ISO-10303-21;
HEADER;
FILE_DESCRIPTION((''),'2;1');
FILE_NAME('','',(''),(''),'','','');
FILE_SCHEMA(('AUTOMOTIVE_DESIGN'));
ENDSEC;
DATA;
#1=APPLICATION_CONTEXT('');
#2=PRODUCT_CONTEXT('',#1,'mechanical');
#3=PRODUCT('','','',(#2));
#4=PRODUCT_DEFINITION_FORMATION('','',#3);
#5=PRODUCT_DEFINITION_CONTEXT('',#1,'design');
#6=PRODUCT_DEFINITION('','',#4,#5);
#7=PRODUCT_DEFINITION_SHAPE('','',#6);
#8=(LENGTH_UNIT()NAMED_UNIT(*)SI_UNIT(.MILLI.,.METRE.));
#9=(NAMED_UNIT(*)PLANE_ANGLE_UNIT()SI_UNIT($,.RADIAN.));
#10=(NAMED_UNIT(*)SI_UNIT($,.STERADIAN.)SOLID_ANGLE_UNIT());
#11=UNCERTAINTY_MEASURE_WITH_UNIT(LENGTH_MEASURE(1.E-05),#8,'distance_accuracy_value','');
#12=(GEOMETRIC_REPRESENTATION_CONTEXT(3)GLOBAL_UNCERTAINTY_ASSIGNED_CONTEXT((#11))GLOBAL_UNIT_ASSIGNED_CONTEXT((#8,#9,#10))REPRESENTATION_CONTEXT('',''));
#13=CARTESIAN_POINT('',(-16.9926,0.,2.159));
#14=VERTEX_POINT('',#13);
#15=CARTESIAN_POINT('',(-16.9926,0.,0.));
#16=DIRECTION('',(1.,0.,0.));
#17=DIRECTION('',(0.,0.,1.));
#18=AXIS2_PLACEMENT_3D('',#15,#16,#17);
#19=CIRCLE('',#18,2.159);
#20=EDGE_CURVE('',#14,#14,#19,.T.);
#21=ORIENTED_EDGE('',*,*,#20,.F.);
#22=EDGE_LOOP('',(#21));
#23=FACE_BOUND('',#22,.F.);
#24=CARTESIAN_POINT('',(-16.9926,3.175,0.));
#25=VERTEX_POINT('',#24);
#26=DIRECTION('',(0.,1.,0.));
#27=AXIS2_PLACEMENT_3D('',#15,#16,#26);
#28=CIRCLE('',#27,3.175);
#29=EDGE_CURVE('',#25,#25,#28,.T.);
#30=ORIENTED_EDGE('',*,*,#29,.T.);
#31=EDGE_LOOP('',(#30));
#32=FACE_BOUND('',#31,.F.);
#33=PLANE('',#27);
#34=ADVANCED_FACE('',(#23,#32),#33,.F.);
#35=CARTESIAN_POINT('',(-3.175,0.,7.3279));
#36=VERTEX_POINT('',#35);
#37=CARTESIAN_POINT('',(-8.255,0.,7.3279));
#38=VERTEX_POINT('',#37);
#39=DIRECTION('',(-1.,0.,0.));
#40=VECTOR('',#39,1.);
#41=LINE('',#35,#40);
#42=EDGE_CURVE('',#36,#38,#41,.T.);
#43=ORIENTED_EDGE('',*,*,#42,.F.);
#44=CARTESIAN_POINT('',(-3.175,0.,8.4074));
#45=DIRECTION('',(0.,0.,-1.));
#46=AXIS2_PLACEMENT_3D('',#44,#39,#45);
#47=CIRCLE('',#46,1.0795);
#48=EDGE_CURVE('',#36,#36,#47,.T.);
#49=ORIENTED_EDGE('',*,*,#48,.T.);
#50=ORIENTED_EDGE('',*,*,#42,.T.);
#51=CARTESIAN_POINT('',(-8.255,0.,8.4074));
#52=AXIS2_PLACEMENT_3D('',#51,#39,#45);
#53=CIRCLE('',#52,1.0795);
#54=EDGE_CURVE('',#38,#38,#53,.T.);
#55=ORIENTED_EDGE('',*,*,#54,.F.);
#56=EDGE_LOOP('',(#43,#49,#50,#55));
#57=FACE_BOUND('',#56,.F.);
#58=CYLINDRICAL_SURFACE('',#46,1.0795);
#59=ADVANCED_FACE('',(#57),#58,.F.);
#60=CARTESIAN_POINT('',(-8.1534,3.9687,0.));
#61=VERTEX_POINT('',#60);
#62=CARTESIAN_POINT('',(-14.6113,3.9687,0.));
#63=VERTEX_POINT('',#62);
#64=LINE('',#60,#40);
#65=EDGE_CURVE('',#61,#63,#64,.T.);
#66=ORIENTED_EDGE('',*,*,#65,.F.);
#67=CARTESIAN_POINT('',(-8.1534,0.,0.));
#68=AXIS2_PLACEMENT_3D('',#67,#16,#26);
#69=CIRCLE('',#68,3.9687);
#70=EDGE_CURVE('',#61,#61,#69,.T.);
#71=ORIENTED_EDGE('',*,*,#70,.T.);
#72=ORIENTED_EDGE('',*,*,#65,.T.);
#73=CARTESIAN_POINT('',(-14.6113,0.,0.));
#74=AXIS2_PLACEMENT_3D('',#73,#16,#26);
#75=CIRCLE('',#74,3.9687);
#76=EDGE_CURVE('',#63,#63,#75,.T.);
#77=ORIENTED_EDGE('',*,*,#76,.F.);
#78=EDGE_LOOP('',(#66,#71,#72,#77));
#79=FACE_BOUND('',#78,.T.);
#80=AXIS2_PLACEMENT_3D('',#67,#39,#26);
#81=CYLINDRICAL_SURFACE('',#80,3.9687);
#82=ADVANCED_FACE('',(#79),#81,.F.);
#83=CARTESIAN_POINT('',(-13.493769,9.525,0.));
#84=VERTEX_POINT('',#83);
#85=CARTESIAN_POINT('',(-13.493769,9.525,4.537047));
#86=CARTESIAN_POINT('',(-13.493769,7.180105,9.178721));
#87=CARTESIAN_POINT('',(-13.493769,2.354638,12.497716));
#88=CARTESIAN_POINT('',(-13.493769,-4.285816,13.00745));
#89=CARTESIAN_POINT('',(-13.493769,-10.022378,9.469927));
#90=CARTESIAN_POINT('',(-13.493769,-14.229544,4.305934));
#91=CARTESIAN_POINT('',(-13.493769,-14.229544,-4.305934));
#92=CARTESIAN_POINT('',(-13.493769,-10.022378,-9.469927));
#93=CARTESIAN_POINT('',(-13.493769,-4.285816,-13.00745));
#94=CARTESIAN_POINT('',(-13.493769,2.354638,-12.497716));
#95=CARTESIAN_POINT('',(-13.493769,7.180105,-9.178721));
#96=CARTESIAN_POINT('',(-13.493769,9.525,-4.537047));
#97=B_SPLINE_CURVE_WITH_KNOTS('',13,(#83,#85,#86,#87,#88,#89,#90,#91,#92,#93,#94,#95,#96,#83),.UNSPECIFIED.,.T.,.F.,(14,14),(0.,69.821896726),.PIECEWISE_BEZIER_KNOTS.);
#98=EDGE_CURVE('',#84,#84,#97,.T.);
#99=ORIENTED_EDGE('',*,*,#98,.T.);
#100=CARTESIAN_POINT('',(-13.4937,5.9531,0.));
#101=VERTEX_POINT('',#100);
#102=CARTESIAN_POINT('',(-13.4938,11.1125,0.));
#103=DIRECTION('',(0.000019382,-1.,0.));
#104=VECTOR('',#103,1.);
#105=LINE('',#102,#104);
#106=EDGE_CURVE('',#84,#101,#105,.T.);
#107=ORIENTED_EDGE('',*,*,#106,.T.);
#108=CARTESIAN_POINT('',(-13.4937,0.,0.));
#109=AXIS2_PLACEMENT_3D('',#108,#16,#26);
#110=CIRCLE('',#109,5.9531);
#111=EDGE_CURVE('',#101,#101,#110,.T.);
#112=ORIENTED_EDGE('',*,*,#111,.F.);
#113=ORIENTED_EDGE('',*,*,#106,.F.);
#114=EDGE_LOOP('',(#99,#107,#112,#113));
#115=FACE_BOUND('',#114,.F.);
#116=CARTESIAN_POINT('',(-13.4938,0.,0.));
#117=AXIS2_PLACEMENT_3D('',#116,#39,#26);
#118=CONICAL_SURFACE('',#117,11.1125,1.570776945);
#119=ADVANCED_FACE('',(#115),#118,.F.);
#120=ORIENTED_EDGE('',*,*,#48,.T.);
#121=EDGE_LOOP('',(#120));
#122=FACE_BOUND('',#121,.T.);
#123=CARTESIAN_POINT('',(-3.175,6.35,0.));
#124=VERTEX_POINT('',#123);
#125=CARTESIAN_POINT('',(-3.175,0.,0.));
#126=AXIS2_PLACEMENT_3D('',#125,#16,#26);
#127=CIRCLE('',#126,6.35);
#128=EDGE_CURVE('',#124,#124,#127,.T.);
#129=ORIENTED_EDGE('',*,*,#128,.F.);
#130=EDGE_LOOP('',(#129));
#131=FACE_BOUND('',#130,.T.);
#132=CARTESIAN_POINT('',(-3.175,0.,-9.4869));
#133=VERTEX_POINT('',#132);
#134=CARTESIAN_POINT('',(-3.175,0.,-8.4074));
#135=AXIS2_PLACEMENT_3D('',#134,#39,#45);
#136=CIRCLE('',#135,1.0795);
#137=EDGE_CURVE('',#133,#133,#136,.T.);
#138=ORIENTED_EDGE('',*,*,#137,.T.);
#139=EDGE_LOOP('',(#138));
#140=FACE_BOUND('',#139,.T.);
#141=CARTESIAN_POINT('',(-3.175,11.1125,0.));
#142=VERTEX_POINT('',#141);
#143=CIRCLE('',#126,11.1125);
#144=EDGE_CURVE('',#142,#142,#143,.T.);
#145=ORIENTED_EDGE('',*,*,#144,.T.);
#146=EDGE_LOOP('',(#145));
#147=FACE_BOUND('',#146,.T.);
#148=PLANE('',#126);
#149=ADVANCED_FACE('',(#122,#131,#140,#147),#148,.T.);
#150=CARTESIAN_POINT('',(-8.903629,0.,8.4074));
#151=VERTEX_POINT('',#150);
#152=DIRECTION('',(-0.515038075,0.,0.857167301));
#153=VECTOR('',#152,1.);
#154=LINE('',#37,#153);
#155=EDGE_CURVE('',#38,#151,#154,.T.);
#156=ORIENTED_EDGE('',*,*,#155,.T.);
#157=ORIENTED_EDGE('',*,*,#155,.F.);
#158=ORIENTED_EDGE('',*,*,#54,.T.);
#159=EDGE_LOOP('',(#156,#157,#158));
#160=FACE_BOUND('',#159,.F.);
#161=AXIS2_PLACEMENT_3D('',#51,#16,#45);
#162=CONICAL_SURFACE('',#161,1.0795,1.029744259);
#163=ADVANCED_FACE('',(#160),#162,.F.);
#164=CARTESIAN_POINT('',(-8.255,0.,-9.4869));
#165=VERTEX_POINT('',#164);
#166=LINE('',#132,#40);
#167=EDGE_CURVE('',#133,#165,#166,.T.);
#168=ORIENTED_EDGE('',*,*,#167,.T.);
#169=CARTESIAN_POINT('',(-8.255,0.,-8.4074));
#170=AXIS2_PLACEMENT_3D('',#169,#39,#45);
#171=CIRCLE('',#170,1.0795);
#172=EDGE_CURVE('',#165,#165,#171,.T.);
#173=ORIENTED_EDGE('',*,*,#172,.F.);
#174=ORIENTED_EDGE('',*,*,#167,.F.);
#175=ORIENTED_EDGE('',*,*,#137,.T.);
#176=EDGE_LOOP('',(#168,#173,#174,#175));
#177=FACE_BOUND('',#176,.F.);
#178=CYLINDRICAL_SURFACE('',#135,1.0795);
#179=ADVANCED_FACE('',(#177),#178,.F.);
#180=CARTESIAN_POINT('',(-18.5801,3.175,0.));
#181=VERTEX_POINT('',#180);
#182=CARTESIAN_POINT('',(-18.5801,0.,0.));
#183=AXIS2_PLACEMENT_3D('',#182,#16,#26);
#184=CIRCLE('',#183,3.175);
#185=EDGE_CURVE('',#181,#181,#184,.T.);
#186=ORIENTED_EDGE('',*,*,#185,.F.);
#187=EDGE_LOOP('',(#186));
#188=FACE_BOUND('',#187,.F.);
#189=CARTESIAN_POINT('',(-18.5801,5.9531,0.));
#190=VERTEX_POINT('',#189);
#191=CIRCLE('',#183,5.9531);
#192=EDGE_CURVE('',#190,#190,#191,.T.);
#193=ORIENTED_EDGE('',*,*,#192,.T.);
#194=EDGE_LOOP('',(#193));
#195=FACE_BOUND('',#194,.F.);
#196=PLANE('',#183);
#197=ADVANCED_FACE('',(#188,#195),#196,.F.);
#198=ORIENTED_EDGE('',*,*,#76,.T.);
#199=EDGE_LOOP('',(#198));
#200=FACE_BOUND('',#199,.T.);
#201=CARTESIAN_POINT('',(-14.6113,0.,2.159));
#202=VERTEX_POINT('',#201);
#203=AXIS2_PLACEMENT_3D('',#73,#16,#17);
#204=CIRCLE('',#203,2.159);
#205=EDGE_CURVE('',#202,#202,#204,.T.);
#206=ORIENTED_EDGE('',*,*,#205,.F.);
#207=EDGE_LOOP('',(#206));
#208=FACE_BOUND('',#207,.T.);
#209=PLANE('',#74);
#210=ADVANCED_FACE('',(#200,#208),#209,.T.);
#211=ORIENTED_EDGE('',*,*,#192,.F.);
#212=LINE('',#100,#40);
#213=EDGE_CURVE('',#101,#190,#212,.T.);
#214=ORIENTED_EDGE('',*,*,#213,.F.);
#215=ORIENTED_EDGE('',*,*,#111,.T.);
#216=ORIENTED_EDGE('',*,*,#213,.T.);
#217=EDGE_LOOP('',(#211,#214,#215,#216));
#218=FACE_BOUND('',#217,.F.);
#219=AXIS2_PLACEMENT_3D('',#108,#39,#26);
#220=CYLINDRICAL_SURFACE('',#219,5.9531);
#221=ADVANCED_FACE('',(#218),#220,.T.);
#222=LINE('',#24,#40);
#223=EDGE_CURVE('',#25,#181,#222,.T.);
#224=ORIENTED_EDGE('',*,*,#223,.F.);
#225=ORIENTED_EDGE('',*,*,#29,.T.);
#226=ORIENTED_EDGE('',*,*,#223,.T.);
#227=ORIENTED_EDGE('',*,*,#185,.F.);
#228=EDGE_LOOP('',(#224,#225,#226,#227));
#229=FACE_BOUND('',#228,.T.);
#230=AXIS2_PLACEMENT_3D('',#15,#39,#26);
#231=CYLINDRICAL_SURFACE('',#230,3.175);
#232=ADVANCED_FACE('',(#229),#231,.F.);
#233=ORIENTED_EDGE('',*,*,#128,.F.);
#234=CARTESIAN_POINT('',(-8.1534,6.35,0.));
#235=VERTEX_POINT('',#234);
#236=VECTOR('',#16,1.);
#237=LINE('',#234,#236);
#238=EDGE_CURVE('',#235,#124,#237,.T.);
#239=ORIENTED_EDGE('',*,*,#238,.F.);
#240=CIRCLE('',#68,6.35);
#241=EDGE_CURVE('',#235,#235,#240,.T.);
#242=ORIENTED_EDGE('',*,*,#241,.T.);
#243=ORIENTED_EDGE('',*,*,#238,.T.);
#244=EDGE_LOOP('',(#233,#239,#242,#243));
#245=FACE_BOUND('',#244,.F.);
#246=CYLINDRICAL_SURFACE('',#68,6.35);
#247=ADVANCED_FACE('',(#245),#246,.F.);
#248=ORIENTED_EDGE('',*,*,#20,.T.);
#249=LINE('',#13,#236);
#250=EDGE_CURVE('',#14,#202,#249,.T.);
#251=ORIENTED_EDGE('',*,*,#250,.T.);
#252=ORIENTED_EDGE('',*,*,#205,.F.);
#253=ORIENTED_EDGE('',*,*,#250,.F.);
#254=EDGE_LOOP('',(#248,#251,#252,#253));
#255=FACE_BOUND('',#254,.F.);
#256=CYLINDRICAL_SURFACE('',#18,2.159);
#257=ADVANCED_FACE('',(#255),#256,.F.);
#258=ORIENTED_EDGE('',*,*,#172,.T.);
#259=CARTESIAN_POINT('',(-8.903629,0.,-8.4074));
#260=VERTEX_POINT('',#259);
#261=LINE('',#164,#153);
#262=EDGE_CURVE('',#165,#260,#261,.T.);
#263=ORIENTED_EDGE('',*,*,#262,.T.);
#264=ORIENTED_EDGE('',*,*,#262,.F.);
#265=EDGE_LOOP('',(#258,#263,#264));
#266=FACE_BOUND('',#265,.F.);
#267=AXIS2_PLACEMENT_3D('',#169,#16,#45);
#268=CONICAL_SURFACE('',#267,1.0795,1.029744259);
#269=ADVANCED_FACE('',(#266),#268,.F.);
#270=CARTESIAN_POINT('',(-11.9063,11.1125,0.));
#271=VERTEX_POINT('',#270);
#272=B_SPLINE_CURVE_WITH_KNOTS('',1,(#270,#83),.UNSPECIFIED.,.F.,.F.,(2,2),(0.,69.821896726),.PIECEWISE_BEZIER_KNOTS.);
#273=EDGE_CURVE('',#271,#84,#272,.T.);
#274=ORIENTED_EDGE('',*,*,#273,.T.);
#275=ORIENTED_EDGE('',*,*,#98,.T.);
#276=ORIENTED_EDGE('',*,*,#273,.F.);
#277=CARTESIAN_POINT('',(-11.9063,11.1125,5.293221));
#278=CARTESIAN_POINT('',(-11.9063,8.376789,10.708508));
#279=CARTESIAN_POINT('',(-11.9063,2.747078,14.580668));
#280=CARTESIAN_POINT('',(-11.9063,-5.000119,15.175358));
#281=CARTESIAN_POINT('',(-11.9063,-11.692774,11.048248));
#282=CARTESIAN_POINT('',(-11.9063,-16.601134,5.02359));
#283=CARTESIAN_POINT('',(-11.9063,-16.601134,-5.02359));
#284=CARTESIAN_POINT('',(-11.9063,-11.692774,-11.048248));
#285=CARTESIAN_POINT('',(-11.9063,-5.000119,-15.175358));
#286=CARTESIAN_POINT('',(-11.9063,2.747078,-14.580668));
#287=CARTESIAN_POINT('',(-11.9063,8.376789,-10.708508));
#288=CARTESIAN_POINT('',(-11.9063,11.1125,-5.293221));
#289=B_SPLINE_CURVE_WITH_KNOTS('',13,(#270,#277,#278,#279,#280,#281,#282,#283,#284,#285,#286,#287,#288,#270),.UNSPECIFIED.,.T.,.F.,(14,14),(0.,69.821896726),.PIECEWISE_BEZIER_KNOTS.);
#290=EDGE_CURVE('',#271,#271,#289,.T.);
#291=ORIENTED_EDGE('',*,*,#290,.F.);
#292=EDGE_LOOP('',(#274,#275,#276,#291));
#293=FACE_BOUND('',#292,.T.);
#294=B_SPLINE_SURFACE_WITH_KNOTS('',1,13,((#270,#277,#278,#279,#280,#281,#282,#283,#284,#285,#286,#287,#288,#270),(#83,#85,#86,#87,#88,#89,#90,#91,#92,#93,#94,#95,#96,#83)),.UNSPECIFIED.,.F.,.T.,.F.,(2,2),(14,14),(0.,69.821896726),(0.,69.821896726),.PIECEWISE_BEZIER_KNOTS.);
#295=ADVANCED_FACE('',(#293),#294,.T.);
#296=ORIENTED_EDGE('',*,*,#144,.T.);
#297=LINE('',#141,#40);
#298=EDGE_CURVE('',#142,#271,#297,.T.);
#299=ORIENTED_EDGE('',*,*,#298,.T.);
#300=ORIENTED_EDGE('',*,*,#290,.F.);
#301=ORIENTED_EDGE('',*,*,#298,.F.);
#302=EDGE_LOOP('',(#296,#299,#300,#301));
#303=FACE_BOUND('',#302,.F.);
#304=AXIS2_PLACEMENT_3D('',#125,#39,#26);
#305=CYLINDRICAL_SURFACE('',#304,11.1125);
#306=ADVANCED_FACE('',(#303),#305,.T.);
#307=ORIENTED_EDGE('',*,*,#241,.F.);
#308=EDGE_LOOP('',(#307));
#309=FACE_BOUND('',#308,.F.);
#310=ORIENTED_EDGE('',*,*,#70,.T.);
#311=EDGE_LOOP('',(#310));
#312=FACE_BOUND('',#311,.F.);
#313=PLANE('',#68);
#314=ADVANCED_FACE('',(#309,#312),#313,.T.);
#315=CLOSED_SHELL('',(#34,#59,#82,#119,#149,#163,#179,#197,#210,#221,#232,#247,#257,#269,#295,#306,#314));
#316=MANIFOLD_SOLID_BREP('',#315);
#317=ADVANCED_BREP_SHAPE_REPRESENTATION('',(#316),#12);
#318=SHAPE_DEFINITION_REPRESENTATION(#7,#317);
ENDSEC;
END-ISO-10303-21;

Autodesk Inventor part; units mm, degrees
ref_plane "YZ Plane" through (0, 0, 0) normal (1, 0, 0) x (0, 1, 0)
ref_plane "XZ Plane" through (0, 0, 0) normal (0, 1, 0) x (-1, 0, 0)
ref_plane "XY Plane" through (0, 0, 0) normal (0, 0, 1) x (1, 0, 0)
sketch "Sketch1" plane through (0, 0, 0) normal (0, 0, 1) x (1, 0, 0)
  line L0 (0, 0) -> (8.7313, 0) construction
  line L1 (0, 0) -> (0, 7.9375) construction
  line L2 (0, 7.9375) -> (8.7312, 7.9375) construction
  line L3 (8.7312, 7.9375) -> (8.7313, 0) construction
  line L4 (8.7312, 7.9375) -> (45.2438, 7.9375) construction
  line L5 (8.7312, 7.9375) -> (8.7312, 14.2875) construction
  line L6 (8.7312, 14.2875) -> (9.525, 14.2875) construction
  line L7 (9.525, 14.2875) -> (9.525, 0) construction
  line L8 (9.525, 0) -> (8.7313, 0) construction
  line L9 (9.525, 0) -> (19.05, 0) construction
  line L10 (19.05, 0) -> (19.05, 26.67) construction
  line L11 (19.05, 26.67) -> (9.525, 26.67) construction
  line L12 (9.525, 26.67) -> (9.525, 14.2875) construction
  line L13 (14.2875, 0) -> (14.2875, 26.67) construction
  line L14 (14.2875, 17.4625) -> (21.4312, 17.4625) construction
  line L15 (21.4312, 17.4625) -> (21.4313, 0) construction
  line L16 (21.4313, 0) -> (19.05, 0) construction
  line L17 (21.4313, 0) -> (22.225, 0) construction
  line L18 (22.225, 0) -> (22.225, 14.2875) construction
  line L19 (22.225, 14.2875) -> (21.4313, 14.2875) construction
  line L20 (21.4313, 14.2875) -> (21.4313, 0) construction
  line L21 (22.225, 0) -> (31.75, 0) construction
  line L22 (31.75, 0) -> (31.75, 20.32) construction
  line L23 (31.75, 20.32) -> (22.225, 20.32) construction
  line L24 (22.225, 20.32) -> (22.225, 0) construction
  line L25 (26.9875, 20.32) -> (26.9875, 0) construction
  line L26 (26.9875, 17.4625) -> (34.1313, 17.4625) construction
  line L27 (34.1313, 17.4625) -> (34.1313, 0) construction
  line L28 (34.1313, 0) -> (31.75, 0) construction
  line L29 (34.1313, 0) -> (34.925, 0) construction
  line L30 (34.925, 0) -> (34.925, 14.2875) construction
  line L31 (34.925, 14.2875) -> (34.1313, 14.2875) construction
  line L32 (34.1313, 14.2875) -> (34.1313, 0) construction
  line L33 (34.925, 0) -> (36.5125, 0) construction
  line L34 (36.5125, 0) -> (36.5125, 9.525) construction
  line L35 (36.5125, 9.525) -> (34.925, 9.525) construction
  line L36 (34.925, 9.525) -> (34.925, 0) construction
  line L37 (45.2438, 7.9375) -> (45.2438, 0) construction
  line L38 (45.2438, 0) -> (36.5125, 0) construction
  line L39 (11.9063, 26.67) -> (11.9063, 0) construction
  line L40 (24.6063, 20.32) -> (24.6063, 0) construction
  line L41 (0, 7.9375) -> (0, 17.4625) construction
  line L42 (0, 17.4625) -> (8.7312, 17.4625) construction
  line L43 (8.7312, 17.4625) -> (8.7312, 14.2875) construction
  line L44 (0, 3.175) -> (45.2438, 3.175) construction
  circle A0 centre (11.9063, 5.5562) radius 2.3813 construction
  circle A1 centre (24.6063, 5.5562) radius 2.3812 construction
  circle A2 centre (11.9063, 5.8103) radius 2.3813 construction
  circle A3 centre (11.9063, 7.5565) radius 2.3813 construction
  circle A4 centre (24.6063, 5.8103) radius 2.3812 construction
  circle A5 centre (24.6063, 7.5565) radius 2.3812 construction
  line L45 (9.525, 8.1915) -> (14.2875, 8.1915) construction
  line L46 (12.6386, 3.175) -> (14.6388, 5.1753) construction
  line L47 (14.6388, 5.1753) -> (21.8737, 5.1753) construction
  line L48 (21.8737, 5.1753) -> (23.8739, 3.175) construction
  line L49 (22.225, 8.1915) -> (26.9875, 8.1915) construction
  line L50 (10.3187, 5.1753) -> (17.4901, 5.1753) construction
  line L51 (26.1938, 5.1753) -> (19.0224, 5.1753) construction
  line L52 (0, 6.35) -> (6.731, 6.35) construction
  line L53 (6.731, 6.35) -> (6.731, 0) construction
  line L54 (10.3187, 5.1753) -> (8.3185, 3.175) construction
  line L55 (17.4901, 5.1753) -> (19.4903, 3.175) construction
  line L56 (19.4903, 3.175) -> (26.1938, 3.175) construction
  line L57 (26.1938, 3.175) -> (28.1015, 0) construction
  line L58 (26.1938, 5.1753) -> (28.194, 3.175) construction
  line L59 (28.194, 3.175) -> (34.8974, 3.175) construction
  line L60 (34.8974, 3.175) -> (36.8052, 0) construction
  line L61 (6.731, 5.5562) -> (45.2438, 5.5563) construction
  line L62 (37.202, 0) -> (33.8635, 5.5563) construction
  line L63 (19.0224, 5.1753) -> (17.0222, 3.175) construction
  line L64 (17.0222, 3.175) -> (-3.175, 3.175) construction
  line L65 (45.2438, 7.9375) -> (45.2438, 17.4625) construction
  line L66 (45.2438, 17.4625) -> (36.5125, 17.4625) construction
  line L67 (36.5125, 17.4625) -> (36.5125, 9.525) construction
  line L68 (45.2438, 7.9375) -> (51.5938, 7.9375) construction
  line L69 (51.5938, 7.9375) -> (51.5938, 0) construction
  line L70 (51.5938, 0) -> (45.2438, 0) construction
  line L71 (51.5938, 6.35) -> (64.2938, 6.35) construction
  line L72 (64.2938, 6.35) -> (64.2938, 0) construction
  line L73 (64.2938, 0) -> (51.5938, 0) construction
  line L74 (-8.1534, 3.175) -> (-8.1534, 2.3812) construction
  line L75 (-8.1534, 0) -> (36.8052, 0) construction
  line L76 (-3.175, 3.175) -> (-3.175, 2.3812) construction
  line L77 (-3.175, 2.3812) -> (-8.1534, 2.3812) construction
  line L78 (-8.1534, 3.175) -> (-8.1534, 6.35) construction
  line L79 (-8.1534, 6.35) -> (-3.175, 6.35) construction
  line L80 (-3.175, 6.35) -> (-3.175, 3.175) construction
  line L81 (-3.175, 0) -> (-3.175, 2.3812) construction
  line L82 (-0.7937, 0) -> (-0.7938, 11.1125) construction
  line L83 (-0.7938, 11.1125) -> (-3.175, 11.1125) construction
  line L84 (-3.175, 11.1125) -> (-3.175, 6.35) construction
  line L85 (-3.175, 3.175) -> (-8.1534, 3.175) construction
  line L86 (-8.1534, 2.3812) -> (-8.1534, 0) construction
  line L87 (-8.1534, 2.7051) -> (-9.652, 2.7051) construction
  line L88 (-9.652, 2.7051) -> (-9.652, 0) construction
  line L89 (-9.652, 0) -> (-8.1534, 0) construction
  line L90 (-8.1534, 1.4224) -> (-5.6134, 1.4224) construction
  line L91 (-5.6134, 1.4224) -> (-5.6134, 0) construction
  line L92 (-5.6134, 1.4224) -> (-3.0734, 1.4224) construction
  line L93 (-3.0734, 1.4224) -> (-3.0734, 0) construction
  line L94 (-3.175, 11.1125) -> (-13.4938, 11.1125) construction
  line L95 (-13.4938, 11.1125) -> (-13.4937, 5.9531) construction
  line L96 (-13.4937, 5.9531) -> (-18.5801, 5.9531) construction
  line L97 (-18.5801, 5.9531) -> (-18.5801, 0) construction
  line L98 (-18.5801, 0) -> (-9.652, 0) construction
  line L99 (-8.1534, 3.9687) -> (-14.6113, 3.9687) construction
  line L100 (-14.6113, 3.9687) -> (-14.6113, 0) construction
  line L101 (-14.6113, 3.429) -> (-10.4457, 3.429) construction
  line L102 (-10.4457, 3.429) -> (-10.4457, 0) construction
  line L103 (-16.9926, 3.175) -> (-16.9926, 0) construction
  line L104 (-16.9926, 3.175) -> (-18.5801, 3.175) construction
  dimension "d0" = 8.7312
  dimension "d1" = 7.9375
  dimension "d2" = 0.7937
  dimension "d3" = 14.2875
  dimension "d4" = 9.525
  dimension "d5" = 26.67
  dimension "d6" = 7.1437
  dimension "d7" = 17.4625
  dimension "d8" = 0.7937
  dimension "d9" = 14.2875
  dimension "d10" = 9.525
  dimension "d11" = 20.32
  dimension "d12" = 7.1437
  dimension "d13" = 17.4625
  dimension "d14" = 0.7937
  dimension "d15" = 14.2875
  dimension "d16" = 1.5875
  dimension "d17" = 9.525
  dimension "d18" = 8.7312
  dimension "d19" = 2.3813
  dimension "d20" = 2.3813
  dimension "d21" = 17.4625
  dimension "d22" = 3.175
  dimension "d23" = 4.7625
  dimension "d24" = 4.7625
  dimension "d26" = 0.254
  dimension "d28" = 45
  dimension "d29" = 45
  dimension "d30" = 0.254
  dimension "d31" = 7.2348
  dimension "d32" = 5.1753
  dimension "d33" = 7.1713
  dimension "d34" = 1.5875
  dimension "d35" = 7.1713
  dimension "d36" = 1.5875
  dimension "d37" = 6.35
  dimension "d39" = 45
  dimension "d40" = 45
  dimension "d41" = 1.5875
  dimension "d42" = 59
  dimension "d43" = 6.7034
  dimension "d44" = 6.7034
  dimension "d45" = 5.5563
  dimension "d46" = 0.3969
  dimension "d47" = 1.5875
  dimension "d48" = 6.731
  dimension "d52" = 17.4625
  dimension "d53" = 6.35
  dimension "d54" = 12.7
  dimension "d55" = 6.35
  dimension "d56" = 2.3813
  dimension "d57" = 4.9784
  dimension "d58" = 6.35
  dimension "d66" = 2.3813
  dimension "d67" = 0.7937
  dimension "d68" = 11.1125
  dimension "d69" = 2.7051
  dimension "d70" = 1.4986
  dimension "d71" = 1.4224
  dimension "d72" = 2.54
  dimension "d73" = 2.54
  dimension "d74" = 3.9688
  dimension "d75" = 4.1656
  dimension "d76" = 3.429
sketch "Sketch2" plane through (0, 0, 0) normal (0, 0, 1) x (1, 0, 0)
  line L0 (-3.175, 11.1125) -> (-3.175, 6.35) projected
  line L1 (-8.1534, 6.35) -> (-3.175, 6.35) projected
  line L2 (-8.1534, 3.9687) -> (-14.6113, 3.9687) projected
  line L3 (-14.6113, 3.9687) -> (-14.6113, 0) projected
  line L4 (-16.9926, 3.175) -> (-16.9926, 0) projected
  line L5 (-16.9926, 3.175) -> (-18.5801, 3.175) projected
  line L6 (-13.4937, 5.9531) -> (-18.5801, 5.9531) projected
  line L7 (-13.4938, 11.1125) -> (-13.4937, 5.9531) projected
  line L8 (-3.175, 11.1125) -> (-13.4938, 11.1125) projected
  line L9 (-18.5801, 5.9531) -> (-18.5801, 3.175)
  line L10 (-16.9926, 0) -> (-14.6113, 0)
  line L11 (-8.1534, 3.9687) -> (-8.1534, 6.35)
  point P0 (0, 0)
revolve "Revolution1" add sketch "Sketch2" angle 360 about axis through (-16.9926, 0, 0) along (1, 0, 0)
sketch "Sketch3" plane through (-16.9926, 0, 0) normal (-1, 0, 0) x (0, 0, 1)
  circle A0 centre (0, 0) radius 3.175 projected
hole "Hole1" at (-16.9926, 0, 0) direction (1, 0, 0) diameter 4.318 end through all clearance for "Socket Head Cap Screw" size "#8" standard "Ansi Unified Screw Threads"
sketch "Sketch5" plane through (-3.175, 0, 0) normal (1, 0, 0) x (0, 0, -1)
  circle A0 centre (0, 0) radius 6.35 projected
  circle A1 centre (0, 0) radius 11.1125 projected
  line L0 (-11.1125, 0) -> (-6.35, 0)
  line L1 (-6.35, 0) -> (6.35, 0)
  line L2 (6.35, 0) -> (11.1125, 0)
  circle A2 centre (-8.4074, 0) radius 2.7051
  point P0 (8.4074, 0)
  point P1 (-5.7023, 0)
  dimension "d98" = 5.4102
  dimension "d99" = 0.6477
  dimension "d100" = 2.0574
  dimension "d101" = 2.0574
hole "Hole3" at (-3.175, 0, 8.4074) at (-3.175, 0, -8.4074) direction (-1, 0, 0) diameter 2.159 depth 5.08 tip angle 118
chamfer "Chamfer1" distance 1.5875 angle 45 1 edges at (-13.4937, -11.1125, 0)
equation "\"d9\" = d3"
equation "\"d12\" = d6"
equation "\"d13\" = d7"
equation "\"d15\" = d9"
equation "\"d18\" = d0"
equation "\"d20\" = d19"
equation "\"d35\" = d33"
equation "\"d36\" = d34"
equation "\"d43\" = d44"
equation "\"d52\" = d13"
properties part number "Ball Shifting Outline" material "Aluminum 6061"
